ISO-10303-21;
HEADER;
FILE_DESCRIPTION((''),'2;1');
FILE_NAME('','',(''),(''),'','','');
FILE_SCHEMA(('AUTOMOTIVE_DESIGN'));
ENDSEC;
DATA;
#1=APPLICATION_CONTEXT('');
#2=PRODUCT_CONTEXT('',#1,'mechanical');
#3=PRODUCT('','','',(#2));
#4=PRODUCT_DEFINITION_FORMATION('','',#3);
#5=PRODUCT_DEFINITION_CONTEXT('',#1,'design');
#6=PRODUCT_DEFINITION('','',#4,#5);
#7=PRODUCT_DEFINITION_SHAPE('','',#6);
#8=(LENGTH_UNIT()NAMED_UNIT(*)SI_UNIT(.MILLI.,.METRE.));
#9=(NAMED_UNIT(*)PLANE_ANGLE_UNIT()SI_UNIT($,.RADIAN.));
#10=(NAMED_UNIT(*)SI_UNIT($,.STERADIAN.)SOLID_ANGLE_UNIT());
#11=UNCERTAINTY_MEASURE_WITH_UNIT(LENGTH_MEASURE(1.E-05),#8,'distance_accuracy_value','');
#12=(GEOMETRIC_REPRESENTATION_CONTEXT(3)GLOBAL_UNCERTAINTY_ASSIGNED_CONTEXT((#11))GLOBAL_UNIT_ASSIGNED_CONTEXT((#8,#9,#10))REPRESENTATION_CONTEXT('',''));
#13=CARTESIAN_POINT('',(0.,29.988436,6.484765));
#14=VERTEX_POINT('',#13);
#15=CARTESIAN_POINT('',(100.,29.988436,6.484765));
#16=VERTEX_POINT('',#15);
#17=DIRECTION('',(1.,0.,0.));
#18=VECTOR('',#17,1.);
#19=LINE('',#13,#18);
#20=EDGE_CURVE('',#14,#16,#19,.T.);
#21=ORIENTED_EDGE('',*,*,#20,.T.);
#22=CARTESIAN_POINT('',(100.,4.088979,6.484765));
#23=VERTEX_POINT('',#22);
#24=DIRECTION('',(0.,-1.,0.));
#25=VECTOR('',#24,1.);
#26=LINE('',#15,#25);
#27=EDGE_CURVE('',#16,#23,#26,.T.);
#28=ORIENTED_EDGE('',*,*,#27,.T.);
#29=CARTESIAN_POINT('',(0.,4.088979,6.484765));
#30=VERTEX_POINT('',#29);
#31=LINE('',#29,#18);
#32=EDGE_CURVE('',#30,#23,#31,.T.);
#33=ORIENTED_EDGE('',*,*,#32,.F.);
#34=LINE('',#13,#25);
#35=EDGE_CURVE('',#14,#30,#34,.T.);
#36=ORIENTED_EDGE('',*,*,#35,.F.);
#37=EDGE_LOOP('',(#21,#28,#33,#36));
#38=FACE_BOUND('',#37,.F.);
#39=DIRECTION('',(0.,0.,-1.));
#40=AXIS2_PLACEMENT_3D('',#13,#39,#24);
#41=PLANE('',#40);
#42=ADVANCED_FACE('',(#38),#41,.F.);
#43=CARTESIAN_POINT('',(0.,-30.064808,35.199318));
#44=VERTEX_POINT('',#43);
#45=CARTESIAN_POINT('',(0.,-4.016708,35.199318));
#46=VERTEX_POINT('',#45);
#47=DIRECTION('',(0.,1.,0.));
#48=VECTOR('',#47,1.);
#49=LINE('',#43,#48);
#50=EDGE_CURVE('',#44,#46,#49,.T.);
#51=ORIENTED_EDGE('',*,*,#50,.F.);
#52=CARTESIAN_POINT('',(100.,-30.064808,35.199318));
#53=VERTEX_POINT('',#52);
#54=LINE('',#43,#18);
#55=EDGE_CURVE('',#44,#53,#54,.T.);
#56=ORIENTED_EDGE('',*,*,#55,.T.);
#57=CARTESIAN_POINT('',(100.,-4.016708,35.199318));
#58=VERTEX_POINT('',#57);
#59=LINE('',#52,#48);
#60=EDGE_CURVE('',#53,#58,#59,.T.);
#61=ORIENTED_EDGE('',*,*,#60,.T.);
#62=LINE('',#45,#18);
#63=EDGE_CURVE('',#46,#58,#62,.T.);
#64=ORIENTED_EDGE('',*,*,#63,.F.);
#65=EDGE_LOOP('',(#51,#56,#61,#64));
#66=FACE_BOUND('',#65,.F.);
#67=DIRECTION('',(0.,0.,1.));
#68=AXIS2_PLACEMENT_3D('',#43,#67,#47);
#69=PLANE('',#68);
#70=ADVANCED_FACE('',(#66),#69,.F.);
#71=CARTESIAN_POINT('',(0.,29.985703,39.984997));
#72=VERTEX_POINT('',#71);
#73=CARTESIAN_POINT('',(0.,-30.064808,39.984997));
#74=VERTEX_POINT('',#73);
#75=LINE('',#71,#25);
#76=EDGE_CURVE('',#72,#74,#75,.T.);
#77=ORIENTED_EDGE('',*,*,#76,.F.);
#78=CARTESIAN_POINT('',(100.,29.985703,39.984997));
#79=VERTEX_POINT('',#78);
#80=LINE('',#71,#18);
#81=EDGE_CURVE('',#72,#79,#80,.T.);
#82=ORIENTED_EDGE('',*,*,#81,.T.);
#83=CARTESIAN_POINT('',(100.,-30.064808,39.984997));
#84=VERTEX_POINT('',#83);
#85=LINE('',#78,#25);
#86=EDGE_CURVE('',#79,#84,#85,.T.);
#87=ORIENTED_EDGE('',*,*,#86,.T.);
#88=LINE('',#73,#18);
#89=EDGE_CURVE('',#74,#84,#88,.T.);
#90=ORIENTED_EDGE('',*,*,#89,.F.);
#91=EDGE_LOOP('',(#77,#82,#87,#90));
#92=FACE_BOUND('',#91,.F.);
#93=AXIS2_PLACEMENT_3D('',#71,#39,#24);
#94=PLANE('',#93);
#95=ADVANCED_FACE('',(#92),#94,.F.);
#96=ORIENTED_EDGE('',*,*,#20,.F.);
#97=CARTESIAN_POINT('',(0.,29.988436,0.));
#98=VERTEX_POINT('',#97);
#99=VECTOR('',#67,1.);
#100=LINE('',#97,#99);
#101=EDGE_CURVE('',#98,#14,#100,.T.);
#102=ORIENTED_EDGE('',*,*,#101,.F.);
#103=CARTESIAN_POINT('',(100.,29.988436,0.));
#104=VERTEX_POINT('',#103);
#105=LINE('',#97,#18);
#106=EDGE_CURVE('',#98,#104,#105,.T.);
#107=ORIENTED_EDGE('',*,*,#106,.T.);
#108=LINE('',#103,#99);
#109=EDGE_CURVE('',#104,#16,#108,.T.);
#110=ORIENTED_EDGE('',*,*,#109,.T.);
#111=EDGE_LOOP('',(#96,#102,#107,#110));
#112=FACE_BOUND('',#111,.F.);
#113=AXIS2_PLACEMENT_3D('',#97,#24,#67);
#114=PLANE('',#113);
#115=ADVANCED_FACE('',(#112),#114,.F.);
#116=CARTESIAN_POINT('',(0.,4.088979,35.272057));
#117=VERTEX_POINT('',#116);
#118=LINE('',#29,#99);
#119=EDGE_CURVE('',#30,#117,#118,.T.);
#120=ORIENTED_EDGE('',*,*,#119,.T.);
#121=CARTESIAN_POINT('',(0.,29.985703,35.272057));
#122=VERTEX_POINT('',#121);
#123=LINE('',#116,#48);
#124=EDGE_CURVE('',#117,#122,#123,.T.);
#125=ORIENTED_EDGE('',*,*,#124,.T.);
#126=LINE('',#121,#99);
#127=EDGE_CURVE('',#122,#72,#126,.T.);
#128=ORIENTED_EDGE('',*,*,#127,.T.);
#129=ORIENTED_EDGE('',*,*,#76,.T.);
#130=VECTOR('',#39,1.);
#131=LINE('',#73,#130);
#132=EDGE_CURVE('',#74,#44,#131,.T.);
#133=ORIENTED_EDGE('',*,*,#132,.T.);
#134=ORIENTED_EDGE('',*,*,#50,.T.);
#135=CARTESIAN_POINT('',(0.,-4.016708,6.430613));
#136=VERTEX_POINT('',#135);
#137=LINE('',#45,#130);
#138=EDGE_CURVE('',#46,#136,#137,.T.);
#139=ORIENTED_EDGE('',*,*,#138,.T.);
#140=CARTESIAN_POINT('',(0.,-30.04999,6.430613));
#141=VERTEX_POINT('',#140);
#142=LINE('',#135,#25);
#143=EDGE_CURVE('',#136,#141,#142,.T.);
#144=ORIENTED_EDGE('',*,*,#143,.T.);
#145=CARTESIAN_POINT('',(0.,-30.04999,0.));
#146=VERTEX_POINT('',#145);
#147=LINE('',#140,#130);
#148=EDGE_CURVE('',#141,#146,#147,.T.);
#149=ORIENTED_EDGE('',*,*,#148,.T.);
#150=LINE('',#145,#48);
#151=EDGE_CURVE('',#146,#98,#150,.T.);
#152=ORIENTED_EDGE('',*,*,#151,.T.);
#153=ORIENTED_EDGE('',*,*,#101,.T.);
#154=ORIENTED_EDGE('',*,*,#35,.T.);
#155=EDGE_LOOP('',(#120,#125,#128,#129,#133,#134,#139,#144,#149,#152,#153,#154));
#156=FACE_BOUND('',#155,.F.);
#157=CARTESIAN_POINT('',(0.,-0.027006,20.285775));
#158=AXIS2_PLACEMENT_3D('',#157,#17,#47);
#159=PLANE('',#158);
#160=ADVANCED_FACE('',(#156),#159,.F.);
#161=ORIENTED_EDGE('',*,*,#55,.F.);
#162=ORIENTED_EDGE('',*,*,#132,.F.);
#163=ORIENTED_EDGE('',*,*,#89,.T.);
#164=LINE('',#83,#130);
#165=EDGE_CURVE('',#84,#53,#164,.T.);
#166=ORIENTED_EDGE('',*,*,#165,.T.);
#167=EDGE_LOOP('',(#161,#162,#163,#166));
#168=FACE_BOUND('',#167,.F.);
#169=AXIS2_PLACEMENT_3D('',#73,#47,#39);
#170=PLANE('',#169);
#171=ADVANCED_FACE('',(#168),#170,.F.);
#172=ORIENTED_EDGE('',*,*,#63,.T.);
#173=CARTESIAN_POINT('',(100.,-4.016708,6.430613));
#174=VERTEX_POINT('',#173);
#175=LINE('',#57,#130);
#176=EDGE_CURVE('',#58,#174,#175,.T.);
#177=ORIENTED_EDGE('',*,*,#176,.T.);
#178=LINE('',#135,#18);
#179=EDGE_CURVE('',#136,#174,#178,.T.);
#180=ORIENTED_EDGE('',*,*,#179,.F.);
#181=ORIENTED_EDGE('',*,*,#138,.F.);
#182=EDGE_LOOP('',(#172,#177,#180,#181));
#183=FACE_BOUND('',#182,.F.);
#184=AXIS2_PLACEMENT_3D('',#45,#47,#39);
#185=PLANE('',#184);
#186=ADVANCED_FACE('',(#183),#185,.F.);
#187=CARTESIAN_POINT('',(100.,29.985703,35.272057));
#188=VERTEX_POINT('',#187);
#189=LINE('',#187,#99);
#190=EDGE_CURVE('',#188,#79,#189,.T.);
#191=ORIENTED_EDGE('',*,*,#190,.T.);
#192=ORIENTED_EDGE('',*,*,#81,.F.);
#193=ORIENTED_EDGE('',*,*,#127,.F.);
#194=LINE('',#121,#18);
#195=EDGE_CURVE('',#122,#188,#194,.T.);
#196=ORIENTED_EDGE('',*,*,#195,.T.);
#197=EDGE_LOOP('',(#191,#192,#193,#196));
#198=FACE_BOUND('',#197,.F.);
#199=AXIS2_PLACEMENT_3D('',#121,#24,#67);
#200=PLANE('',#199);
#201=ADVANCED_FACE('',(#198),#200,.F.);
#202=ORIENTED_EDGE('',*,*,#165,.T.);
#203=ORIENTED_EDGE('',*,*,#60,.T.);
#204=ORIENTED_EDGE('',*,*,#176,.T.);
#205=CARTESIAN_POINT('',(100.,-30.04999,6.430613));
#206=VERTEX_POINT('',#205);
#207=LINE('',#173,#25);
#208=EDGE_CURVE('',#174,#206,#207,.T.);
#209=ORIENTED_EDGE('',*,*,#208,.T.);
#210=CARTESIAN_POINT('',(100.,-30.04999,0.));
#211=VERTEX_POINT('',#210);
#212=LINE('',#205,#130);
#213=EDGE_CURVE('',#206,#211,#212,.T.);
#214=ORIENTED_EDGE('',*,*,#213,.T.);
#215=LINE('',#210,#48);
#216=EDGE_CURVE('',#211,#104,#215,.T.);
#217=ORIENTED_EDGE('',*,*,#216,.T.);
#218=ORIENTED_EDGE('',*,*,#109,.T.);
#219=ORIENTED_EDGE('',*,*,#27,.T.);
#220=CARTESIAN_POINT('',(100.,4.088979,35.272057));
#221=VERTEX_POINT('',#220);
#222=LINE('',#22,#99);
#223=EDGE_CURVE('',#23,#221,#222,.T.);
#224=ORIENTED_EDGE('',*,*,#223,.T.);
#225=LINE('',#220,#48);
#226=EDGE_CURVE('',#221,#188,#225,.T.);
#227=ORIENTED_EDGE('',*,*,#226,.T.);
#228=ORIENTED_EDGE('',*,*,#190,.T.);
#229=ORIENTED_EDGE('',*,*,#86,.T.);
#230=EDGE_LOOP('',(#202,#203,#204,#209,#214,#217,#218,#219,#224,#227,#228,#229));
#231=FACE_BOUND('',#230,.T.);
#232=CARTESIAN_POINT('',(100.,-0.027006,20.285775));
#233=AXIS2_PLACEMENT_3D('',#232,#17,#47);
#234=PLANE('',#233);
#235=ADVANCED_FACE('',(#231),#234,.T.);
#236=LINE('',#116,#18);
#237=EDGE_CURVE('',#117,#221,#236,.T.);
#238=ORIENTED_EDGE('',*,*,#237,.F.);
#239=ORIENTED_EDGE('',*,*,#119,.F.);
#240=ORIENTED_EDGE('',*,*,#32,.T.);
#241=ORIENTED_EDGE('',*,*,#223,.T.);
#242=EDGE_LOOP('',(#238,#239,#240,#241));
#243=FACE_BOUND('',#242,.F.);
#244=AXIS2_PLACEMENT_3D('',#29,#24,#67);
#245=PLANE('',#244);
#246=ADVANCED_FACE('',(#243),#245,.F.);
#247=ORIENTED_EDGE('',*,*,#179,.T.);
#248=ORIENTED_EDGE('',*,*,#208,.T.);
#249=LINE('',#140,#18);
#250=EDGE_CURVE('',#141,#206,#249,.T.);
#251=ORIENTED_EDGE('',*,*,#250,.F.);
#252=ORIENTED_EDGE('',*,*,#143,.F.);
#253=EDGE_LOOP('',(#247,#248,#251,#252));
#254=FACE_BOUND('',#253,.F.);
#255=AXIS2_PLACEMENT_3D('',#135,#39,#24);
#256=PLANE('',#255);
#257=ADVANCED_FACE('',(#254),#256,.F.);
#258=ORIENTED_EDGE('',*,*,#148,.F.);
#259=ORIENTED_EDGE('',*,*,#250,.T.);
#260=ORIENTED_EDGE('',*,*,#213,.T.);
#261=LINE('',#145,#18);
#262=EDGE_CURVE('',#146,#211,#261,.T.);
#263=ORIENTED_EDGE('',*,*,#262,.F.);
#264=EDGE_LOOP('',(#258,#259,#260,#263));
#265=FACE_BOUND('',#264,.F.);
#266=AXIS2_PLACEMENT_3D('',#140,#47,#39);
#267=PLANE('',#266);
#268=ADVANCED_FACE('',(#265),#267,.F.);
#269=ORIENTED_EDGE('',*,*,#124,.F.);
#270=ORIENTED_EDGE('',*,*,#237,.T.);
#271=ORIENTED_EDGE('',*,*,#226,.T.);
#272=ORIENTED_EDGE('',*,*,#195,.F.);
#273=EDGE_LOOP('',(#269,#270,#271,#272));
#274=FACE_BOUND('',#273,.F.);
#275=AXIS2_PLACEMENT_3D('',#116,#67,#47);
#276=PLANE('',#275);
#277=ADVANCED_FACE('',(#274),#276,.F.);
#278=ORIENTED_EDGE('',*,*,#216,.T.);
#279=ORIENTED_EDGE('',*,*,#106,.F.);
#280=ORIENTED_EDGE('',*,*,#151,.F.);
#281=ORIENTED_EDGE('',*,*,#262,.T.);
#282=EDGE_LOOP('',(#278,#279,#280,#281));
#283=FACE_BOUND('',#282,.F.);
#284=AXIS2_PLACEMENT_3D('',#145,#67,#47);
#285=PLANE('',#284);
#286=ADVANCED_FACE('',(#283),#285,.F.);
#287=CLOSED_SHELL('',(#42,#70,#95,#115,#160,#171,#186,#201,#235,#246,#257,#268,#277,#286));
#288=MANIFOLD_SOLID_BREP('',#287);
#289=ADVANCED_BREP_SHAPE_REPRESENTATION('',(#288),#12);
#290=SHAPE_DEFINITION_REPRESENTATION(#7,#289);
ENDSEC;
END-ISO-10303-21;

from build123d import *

# Parameters (mm, degrees)
PAD_DEPTH = 100


with BuildPart() as part:
    # Sketch → Pad (new body)
    with BuildSketch(Plane.YZ):
        Polygon((-30.04999, 0), (29.988436, 0), (29.988436, 6.484765), (4.088979, 6.484765), (4.088979, 35.272057), (29.985703, 35.272057), (29.985703, 39.984997), (-30.064808, 39.984997), (-30.064808, 35.199318), (-4.016708, 35.199318), (-4.016708, 6.430613), (-30.04999, 6.430613), align=None)
    extrude(amount=PAD_DEPTH)


solid = part.part
